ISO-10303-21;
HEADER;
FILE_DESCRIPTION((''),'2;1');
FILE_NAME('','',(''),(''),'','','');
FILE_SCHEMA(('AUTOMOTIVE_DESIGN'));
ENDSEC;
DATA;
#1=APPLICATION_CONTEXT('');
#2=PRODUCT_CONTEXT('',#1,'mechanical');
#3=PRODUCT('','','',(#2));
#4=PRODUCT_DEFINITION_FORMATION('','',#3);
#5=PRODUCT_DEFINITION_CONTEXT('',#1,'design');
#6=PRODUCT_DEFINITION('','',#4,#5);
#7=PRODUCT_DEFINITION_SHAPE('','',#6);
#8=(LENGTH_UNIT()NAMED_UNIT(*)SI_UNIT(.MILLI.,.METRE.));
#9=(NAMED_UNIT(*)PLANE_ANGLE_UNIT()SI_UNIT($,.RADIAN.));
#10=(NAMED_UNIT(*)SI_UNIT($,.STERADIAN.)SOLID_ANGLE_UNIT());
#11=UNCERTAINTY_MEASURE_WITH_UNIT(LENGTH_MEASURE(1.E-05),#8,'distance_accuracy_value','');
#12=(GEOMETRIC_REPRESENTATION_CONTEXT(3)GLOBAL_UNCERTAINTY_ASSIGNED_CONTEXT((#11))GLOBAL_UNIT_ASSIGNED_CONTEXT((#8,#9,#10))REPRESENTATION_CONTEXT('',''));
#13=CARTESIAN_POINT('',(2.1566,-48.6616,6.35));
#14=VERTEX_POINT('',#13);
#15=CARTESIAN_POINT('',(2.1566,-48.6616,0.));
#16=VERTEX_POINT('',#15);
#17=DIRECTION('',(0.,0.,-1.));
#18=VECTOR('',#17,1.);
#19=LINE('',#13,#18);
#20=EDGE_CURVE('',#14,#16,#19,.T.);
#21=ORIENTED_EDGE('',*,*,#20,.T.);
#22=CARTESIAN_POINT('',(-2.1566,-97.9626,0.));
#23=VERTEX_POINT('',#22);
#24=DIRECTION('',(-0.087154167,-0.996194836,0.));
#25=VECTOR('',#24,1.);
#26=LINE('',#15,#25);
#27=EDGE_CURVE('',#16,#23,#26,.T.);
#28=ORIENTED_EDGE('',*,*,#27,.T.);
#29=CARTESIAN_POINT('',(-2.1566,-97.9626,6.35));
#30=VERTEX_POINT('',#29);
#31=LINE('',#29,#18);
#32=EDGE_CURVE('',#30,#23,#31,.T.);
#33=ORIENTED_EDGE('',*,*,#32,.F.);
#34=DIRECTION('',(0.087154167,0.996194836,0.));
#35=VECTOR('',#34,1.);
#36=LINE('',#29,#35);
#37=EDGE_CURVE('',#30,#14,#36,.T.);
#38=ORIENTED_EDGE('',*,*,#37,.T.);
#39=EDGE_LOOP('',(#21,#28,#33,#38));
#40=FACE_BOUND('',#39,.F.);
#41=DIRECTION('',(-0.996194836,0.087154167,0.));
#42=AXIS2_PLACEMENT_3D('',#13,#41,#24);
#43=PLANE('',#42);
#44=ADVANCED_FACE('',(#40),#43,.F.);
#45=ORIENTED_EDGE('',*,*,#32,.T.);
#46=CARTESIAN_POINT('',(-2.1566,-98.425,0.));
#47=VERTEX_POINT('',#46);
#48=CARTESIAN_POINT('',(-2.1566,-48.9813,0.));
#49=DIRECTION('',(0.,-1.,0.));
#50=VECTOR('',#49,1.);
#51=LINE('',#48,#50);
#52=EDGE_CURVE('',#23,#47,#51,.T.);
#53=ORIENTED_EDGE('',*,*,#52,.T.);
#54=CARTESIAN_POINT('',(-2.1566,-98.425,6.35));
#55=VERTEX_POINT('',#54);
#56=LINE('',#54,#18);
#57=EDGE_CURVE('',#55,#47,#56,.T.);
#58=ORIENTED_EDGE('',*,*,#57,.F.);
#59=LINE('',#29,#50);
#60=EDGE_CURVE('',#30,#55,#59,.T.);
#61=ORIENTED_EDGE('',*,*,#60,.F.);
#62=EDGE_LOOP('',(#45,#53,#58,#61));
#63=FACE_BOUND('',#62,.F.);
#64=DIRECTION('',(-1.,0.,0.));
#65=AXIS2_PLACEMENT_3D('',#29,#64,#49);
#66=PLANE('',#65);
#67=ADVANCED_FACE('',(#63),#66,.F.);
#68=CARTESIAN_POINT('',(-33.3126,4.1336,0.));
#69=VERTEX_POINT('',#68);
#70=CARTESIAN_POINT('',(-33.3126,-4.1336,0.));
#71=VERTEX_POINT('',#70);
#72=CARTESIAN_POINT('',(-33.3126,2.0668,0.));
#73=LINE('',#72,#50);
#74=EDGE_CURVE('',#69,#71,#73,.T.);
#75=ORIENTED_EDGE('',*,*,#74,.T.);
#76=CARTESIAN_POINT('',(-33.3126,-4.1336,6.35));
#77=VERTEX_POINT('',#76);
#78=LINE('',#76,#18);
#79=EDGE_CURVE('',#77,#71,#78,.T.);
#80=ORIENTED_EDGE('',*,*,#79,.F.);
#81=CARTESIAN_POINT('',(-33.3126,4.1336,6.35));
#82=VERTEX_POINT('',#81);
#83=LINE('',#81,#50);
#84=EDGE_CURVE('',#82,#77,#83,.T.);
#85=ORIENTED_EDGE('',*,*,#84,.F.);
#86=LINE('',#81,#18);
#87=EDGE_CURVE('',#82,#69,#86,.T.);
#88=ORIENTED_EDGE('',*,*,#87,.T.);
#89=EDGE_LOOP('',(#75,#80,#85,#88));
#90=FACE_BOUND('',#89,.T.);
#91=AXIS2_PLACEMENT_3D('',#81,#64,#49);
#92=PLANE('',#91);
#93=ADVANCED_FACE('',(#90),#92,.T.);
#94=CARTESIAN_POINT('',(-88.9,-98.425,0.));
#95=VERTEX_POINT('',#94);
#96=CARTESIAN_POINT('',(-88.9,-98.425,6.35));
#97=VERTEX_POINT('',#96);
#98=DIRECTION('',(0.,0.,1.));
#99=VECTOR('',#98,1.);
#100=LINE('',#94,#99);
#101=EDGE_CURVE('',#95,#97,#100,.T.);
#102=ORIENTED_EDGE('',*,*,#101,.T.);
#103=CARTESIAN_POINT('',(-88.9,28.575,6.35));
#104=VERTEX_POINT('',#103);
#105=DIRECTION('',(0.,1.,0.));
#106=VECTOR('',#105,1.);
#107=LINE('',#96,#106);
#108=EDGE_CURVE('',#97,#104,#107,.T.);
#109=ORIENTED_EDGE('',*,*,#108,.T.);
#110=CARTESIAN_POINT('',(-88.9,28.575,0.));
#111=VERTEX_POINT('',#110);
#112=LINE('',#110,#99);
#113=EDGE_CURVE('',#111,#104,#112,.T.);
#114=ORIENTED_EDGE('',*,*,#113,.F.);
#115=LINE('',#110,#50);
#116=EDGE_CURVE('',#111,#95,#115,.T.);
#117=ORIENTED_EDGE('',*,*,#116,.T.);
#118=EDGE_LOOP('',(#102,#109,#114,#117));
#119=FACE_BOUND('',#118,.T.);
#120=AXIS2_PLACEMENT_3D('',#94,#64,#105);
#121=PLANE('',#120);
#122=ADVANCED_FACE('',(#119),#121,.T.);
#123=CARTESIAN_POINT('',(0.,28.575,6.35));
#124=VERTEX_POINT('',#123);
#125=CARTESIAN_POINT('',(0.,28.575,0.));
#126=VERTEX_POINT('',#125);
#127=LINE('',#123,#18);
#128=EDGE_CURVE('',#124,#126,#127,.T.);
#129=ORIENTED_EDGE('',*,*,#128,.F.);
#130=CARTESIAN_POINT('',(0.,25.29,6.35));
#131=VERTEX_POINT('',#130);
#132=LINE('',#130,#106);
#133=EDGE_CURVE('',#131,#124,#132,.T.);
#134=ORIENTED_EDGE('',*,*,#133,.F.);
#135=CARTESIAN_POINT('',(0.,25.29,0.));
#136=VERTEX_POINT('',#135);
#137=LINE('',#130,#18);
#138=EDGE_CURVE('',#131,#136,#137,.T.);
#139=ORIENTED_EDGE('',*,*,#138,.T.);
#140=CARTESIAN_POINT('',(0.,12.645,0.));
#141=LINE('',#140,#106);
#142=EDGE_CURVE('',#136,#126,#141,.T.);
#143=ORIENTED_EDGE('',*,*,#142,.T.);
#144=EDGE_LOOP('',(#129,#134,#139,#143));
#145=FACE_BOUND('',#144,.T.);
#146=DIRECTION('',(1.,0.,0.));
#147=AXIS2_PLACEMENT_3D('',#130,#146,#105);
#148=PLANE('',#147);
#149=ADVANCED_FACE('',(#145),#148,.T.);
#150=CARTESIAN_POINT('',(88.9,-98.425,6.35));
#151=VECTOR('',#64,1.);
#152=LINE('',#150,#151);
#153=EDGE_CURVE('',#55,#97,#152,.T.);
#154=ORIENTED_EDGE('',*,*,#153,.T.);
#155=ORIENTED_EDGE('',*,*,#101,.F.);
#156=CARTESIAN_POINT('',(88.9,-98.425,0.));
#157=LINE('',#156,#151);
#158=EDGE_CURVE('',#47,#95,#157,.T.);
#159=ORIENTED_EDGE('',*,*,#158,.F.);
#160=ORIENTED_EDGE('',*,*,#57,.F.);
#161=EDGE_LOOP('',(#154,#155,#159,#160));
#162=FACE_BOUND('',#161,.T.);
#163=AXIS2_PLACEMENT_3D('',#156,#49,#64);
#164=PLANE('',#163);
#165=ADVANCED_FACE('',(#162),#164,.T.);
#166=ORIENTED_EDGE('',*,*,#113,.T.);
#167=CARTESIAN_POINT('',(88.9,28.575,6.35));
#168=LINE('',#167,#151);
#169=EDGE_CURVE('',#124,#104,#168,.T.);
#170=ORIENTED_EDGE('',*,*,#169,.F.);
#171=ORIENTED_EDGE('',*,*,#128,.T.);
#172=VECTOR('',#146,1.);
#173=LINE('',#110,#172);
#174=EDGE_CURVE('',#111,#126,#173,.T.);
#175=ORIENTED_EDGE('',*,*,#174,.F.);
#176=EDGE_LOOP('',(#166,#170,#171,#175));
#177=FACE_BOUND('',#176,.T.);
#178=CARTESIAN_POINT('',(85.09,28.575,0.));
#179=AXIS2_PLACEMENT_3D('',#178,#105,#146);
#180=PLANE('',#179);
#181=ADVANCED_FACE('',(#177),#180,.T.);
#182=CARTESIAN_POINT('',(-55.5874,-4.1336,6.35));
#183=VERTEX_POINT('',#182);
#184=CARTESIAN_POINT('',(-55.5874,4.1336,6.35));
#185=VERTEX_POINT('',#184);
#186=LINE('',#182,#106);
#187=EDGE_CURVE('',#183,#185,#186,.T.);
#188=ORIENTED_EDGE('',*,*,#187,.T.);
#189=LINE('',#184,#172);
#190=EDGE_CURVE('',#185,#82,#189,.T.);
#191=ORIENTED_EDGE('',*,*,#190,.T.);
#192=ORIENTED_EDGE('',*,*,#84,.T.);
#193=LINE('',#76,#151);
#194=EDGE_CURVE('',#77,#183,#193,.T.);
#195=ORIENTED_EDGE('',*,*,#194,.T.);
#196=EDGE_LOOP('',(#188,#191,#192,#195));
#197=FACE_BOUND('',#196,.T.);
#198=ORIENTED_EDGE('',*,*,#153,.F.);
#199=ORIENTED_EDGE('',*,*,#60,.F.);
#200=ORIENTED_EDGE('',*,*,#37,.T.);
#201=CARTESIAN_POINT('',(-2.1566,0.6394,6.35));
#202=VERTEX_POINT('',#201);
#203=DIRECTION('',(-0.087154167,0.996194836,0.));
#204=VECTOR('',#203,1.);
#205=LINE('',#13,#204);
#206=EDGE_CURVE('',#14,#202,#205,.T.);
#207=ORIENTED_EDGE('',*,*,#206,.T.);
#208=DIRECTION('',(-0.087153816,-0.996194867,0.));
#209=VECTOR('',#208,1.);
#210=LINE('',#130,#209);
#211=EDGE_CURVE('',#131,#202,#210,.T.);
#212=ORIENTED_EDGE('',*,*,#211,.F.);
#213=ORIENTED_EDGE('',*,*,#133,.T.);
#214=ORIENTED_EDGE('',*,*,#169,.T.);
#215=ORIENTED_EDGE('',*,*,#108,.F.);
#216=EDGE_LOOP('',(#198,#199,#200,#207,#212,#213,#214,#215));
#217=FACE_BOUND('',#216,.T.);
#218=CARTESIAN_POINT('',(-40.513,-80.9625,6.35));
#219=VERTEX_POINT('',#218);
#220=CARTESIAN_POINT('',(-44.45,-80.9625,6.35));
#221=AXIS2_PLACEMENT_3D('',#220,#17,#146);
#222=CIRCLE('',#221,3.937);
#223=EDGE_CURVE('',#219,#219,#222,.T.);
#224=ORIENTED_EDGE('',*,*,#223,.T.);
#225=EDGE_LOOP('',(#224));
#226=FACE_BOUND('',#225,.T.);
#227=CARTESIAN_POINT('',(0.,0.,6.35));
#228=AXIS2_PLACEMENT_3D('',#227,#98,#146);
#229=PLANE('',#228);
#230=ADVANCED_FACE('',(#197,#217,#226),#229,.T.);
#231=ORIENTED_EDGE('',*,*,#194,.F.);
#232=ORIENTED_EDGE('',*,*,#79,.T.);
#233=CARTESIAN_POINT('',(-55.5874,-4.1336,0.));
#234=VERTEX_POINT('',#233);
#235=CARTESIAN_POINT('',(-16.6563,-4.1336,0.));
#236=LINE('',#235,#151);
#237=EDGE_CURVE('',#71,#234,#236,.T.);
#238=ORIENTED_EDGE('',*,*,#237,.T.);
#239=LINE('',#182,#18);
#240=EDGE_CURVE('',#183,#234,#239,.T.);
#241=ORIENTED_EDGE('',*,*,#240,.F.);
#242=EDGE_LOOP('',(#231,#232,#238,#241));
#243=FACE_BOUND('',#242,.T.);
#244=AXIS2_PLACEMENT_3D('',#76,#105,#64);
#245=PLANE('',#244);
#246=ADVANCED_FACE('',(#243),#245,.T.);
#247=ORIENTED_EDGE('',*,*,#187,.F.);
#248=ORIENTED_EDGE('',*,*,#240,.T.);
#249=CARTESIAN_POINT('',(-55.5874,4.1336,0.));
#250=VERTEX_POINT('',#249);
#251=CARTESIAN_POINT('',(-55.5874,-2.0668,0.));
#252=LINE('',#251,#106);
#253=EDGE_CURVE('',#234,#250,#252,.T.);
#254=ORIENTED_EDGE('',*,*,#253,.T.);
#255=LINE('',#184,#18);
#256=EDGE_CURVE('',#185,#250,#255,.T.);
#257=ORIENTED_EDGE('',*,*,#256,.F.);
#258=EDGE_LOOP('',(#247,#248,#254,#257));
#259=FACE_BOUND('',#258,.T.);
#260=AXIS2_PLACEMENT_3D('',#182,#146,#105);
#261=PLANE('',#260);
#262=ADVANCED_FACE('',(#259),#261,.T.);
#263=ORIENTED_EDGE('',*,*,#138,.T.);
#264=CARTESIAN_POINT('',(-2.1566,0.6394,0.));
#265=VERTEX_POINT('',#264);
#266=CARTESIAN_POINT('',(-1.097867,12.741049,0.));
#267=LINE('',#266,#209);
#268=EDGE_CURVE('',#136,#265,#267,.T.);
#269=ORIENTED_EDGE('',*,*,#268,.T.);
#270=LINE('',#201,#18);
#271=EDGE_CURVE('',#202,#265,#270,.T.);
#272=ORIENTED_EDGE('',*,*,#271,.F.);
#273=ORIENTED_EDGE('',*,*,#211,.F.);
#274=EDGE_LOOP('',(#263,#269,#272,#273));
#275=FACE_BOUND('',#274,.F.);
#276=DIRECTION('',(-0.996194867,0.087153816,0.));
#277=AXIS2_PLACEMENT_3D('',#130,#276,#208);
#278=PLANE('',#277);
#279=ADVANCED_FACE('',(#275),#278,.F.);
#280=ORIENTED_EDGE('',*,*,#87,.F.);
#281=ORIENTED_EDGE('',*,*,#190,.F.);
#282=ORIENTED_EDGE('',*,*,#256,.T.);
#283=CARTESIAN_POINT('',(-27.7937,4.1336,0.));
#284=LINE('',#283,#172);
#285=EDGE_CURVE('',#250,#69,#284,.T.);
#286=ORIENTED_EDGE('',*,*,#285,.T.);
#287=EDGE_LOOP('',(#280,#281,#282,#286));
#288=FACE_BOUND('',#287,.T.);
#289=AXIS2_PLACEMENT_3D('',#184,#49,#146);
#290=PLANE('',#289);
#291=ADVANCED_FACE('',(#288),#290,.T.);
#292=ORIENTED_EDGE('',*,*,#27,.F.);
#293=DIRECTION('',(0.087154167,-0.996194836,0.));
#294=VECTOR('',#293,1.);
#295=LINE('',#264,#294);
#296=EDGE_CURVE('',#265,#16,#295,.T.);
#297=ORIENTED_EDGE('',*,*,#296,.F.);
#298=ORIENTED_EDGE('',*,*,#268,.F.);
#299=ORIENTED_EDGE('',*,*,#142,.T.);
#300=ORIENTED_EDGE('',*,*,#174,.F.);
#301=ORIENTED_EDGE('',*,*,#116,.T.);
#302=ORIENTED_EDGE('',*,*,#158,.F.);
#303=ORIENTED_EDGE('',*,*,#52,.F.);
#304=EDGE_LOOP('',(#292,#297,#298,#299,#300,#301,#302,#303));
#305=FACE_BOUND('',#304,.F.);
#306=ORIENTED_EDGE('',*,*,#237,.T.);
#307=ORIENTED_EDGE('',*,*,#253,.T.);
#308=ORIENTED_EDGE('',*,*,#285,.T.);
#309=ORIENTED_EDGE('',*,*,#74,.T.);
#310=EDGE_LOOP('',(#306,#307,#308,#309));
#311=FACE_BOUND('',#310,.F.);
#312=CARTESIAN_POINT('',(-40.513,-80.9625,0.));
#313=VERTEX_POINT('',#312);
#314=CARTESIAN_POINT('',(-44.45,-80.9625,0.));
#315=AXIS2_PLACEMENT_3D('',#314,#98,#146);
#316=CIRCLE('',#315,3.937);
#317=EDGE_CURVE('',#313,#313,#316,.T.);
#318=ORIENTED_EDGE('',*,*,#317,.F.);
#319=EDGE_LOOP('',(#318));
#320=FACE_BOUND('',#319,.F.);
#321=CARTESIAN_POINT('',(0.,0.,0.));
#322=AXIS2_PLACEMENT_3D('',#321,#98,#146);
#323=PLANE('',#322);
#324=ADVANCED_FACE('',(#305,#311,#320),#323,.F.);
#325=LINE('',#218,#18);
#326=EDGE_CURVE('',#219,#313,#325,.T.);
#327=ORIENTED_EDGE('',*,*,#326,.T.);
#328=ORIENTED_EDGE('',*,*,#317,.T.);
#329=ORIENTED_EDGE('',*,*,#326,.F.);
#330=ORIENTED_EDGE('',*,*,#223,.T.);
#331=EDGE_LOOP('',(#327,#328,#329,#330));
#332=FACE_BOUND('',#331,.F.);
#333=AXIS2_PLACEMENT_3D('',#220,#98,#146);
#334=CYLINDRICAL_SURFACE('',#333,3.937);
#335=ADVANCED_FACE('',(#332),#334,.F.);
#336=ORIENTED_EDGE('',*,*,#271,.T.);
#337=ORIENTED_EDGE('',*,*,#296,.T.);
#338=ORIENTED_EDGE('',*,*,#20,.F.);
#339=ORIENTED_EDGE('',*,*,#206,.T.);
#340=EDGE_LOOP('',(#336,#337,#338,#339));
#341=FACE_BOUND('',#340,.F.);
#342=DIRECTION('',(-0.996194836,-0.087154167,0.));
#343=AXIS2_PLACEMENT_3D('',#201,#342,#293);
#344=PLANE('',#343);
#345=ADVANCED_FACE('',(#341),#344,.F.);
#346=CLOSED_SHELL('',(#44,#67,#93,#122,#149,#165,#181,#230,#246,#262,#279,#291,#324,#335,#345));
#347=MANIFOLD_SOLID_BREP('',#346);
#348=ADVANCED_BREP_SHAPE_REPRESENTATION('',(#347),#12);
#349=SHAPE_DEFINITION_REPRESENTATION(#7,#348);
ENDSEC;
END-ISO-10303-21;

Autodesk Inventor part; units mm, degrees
ref_plane "YZ Plane" through (0, 0, 0) normal (1, 0, 0) x (0, 1, 0)
ref_plane "XZ Plane" through (0, 0, 0) normal (0, 1, 0) x (-1, 0, 0)
ref_plane "XY Plane" through (0, 0, 0) normal (0, 0, 1) x (1, 0, 0)
ref_plane "Work Plane1" through (0, 0, 0) normal (0, 0, 1) x (1, 0, 0)
sketch "Sketch1" plane through (0, 0, 0) normal (0, 0, 1) x (1, 0, 0)
  line L0 (88.9, -98.425) -> (-88.9, -98.425)
  line L1 (-88.9, -98.425) -> (-88.9, -28.575)
  line L2 (-88.9, -28.575) -> (-88.9, 28.575)
  line L3 (-88.9, 28.575) -> (-85.09, 28.575)
  line L4 (88.9, 28.575) -> (88.9, -28.575)
  line L5 (85.09, 28.575) -> (88.9, 28.575)
  line L6 (88.9, -28.575) -> (88.9, -98.425)
  line L7 (-88.9, 28.575) -> (88.9, 28.575)
  line L8 (88.9, 28.575) -> (88.9, -98.425)
  line L9 (88.9, -98.425) -> (-88.9, -98.425)
  line L10 (-88.9, -98.425) -> (-88.9, 28.575)
  point P0 (0, 0)
extrude "Extrusion1" add sketch "Sketch1" along normal blind 6.35
sketch "Sketch2" plane through (0, 0, 6.35) normal (0, 0, 1) x (1, 0, 0)
  line L0 (-88.9, -98.425) -> (88.9, -98.425) projected
  line L1 (-88.9, -98.425) -> (-88.9, -28.575)
  line L2 (-88.9, 28.575) -> (-88.9, -98.425) projected
  line L3 (88.9, -98.425) -> (88.9, 28.575) projected
  circle A0 centre (-44.45, -80.9625) radius 3.937
  line L4 (-88.9, 28.575) -> (88.9, 28.575)
  line L5 (88.9, 28.575) -> (88.9, -28.575)
  line L6 (88.9, -28.575) -> (-88.9, -28.575)
  line L7 (-88.9, -28.575) -> (-88.9, 28.575)
  line L8 (88.9, 28.575) -> (-88.9, 28.575) projected
  line L9 (0, 28.575) -> (0, -28.575)
  line L10 (-66.675, -80.9625) -> (-44.45, -80.9625)
  line L11 (-55.5874, 4.1336) -> (-33.3126, 4.1336)
  line L12 (-33.3126, 4.1336) -> (-33.3126, -4.1336)
  line L13 (-33.3126, -4.1336) -> (-55.5874, -4.1336)
  line L14 (-55.5874, -4.1336) -> (-55.5874, 4.1336)
  line L15 (-55.5874, 4.1336) -> (-33.3126, -4.1336) construction
  line L16 (-33.3126, 4.1336) -> (-55.5874, -4.1336) construction
  line L17 (34.2724, -7.1205) -> (54.0224, -7.1205)
  line L18 (54.0224, -7.1205) -> (54.0224, -24.7205)
  line L19 (54.0224, -24.7205) -> (34.2724, -24.7205)
  line L20 (34.2724, -24.7205) -> (34.2724, -7.1205)
  line L21 (34.2724, -7.1205) -> (54.0224, -24.7205) construction
  line L22 (54.0224, -7.1205) -> (34.2724, -24.7205) construction
  line L23 (39.3724, 16.9458) -> (54.0224, 16.9458)
  line L24 (54.0224, 16.9458) -> (54.0224, 0.4458)
  line L25 (54.0224, 0.4458) -> (39.3724, 0.4458)
  line L26 (39.3724, 0.4458) -> (39.3724, 16.9458)
  line L27 (39.3724, 16.9458) -> (54.0224, 0.4458) construction
  line L28 (54.0224, 16.9458) -> (39.3724, 0.4458) construction
  point P0 (0, 0)
  point P1 (44.1474, -15.9205)
  point P2 (46.6974, 8.6958)
  dimension "d2" = 69.85
  dimension "d5" = 7.874
  dimension "d8" = 22.2748
  dimension "d9" = 8.2672
  dimension "d10" = 16.5
  dimension "d11" = 14.65
  dimension "d12" = 19.75
  dimension "d13" = 17.6
extrude "Extrusion2" cut sketch "Sketch2" against normal through all contours A0 | L11 L12 L13 L14 | L17 L18 L19 L20 | L23 L24 L25 L26
sketch "Sketch3" plane through (0, 0, 6.35) normal (0, 0, 1) x (1, 0, 0)
  line L0 (88.9, 28.575) -> (-88.9, 28.575) projected
  line L1 (-88.9, -98.425) -> (88.9, -98.425) projected
  line L2 (-88.9, -98.425) -> (88.9, -98.425) projected
  line L3 (0, 25.29) -> (30.48, 25.29) construction
  line L4 (0, 25.29) -> (-2.1566, 0.6394)
  line L5 (0, 25.29) -> (24.7447, 25.29) construction
  line L6 (-2.1566, 0.6394) -> (0, -24.0111)
  line L7 (0, -24.0111) -> (2.1566, -48.6616)
  line L8 (2.1566, -48.6616) -> (0, -73.3121)
  line L9 (0, -73.3121) -> (-2.1566, -97.9626)
  line L10 (0, 25.29) -> (0, 28.575)
  line L11 (-2.1566, -97.9626) -> (-2.1566, -98.425)
  line L12 (-88.9, 28.575) -> (-88.9, -98.425) projected
  line L13 (-33.3126, -4.1336) -> (-55.5874, -4.1336) projected
  line L14 (-55.5874, -4.1336) -> (-55.5874, 4.1336) projected
  line L15 (-55.5874, 4.1336) -> (-33.3126, 4.1336) projected
  line L16 (-33.3126, 4.1336) -> (-33.3126, -4.1336) projected
  line L17 (54.0224, -7.1205) -> (54.0224, -24.7205) projected
  line L18 (54.0224, -24.7205) -> (34.2724, -24.7205) projected
  line L19 (34.2724, -24.7205) -> (34.2724, -7.1205) projected
  line L20 (34.2724, -7.1205) -> (54.0224, -7.1205) projected
  circle A0 centre (-44.45, -80.9625) radius 3.937 projected
  line L21 (39.3724, 0.4458) -> (39.3724, 16.9458) projected
  line L22 (39.3724, 16.9458) -> (54.0224, 16.9458) projected
  line L23 (54.0224, 16.9458) -> (54.0224, 0.4458) projected
  line L24 (54.0224, 0.4458) -> (39.3724, 0.4458) projected
  line L25 (88.9, 28.575) -> (-88.9, 28.575) projected
  line L26 (-88.9, 28.575) -> (-88.9, -98.425) projected
  line L27 (-88.9, -98.425) -> (88.9, -98.425) projected
  line L28 (88.9, -98.425) -> (88.9, 28.575) projected
  point P0 (0, 0)
  dimension "d21" = 24.7447
  dimension "d22" = 95
  dimension "d23" = 24.7447
  dimension "d24" = 24.7447
  dimension "d25" = 180
  dimension "d26" = 24.7447
  dimension "d27" = 24.7447
extrude "Extrusion5" cut sketch "Sketch3" against normal blind 25.4 contours L28 L1 L11 L9 L8 L7 L6 L4 L10 L0
properties part number "compnent box front L"
